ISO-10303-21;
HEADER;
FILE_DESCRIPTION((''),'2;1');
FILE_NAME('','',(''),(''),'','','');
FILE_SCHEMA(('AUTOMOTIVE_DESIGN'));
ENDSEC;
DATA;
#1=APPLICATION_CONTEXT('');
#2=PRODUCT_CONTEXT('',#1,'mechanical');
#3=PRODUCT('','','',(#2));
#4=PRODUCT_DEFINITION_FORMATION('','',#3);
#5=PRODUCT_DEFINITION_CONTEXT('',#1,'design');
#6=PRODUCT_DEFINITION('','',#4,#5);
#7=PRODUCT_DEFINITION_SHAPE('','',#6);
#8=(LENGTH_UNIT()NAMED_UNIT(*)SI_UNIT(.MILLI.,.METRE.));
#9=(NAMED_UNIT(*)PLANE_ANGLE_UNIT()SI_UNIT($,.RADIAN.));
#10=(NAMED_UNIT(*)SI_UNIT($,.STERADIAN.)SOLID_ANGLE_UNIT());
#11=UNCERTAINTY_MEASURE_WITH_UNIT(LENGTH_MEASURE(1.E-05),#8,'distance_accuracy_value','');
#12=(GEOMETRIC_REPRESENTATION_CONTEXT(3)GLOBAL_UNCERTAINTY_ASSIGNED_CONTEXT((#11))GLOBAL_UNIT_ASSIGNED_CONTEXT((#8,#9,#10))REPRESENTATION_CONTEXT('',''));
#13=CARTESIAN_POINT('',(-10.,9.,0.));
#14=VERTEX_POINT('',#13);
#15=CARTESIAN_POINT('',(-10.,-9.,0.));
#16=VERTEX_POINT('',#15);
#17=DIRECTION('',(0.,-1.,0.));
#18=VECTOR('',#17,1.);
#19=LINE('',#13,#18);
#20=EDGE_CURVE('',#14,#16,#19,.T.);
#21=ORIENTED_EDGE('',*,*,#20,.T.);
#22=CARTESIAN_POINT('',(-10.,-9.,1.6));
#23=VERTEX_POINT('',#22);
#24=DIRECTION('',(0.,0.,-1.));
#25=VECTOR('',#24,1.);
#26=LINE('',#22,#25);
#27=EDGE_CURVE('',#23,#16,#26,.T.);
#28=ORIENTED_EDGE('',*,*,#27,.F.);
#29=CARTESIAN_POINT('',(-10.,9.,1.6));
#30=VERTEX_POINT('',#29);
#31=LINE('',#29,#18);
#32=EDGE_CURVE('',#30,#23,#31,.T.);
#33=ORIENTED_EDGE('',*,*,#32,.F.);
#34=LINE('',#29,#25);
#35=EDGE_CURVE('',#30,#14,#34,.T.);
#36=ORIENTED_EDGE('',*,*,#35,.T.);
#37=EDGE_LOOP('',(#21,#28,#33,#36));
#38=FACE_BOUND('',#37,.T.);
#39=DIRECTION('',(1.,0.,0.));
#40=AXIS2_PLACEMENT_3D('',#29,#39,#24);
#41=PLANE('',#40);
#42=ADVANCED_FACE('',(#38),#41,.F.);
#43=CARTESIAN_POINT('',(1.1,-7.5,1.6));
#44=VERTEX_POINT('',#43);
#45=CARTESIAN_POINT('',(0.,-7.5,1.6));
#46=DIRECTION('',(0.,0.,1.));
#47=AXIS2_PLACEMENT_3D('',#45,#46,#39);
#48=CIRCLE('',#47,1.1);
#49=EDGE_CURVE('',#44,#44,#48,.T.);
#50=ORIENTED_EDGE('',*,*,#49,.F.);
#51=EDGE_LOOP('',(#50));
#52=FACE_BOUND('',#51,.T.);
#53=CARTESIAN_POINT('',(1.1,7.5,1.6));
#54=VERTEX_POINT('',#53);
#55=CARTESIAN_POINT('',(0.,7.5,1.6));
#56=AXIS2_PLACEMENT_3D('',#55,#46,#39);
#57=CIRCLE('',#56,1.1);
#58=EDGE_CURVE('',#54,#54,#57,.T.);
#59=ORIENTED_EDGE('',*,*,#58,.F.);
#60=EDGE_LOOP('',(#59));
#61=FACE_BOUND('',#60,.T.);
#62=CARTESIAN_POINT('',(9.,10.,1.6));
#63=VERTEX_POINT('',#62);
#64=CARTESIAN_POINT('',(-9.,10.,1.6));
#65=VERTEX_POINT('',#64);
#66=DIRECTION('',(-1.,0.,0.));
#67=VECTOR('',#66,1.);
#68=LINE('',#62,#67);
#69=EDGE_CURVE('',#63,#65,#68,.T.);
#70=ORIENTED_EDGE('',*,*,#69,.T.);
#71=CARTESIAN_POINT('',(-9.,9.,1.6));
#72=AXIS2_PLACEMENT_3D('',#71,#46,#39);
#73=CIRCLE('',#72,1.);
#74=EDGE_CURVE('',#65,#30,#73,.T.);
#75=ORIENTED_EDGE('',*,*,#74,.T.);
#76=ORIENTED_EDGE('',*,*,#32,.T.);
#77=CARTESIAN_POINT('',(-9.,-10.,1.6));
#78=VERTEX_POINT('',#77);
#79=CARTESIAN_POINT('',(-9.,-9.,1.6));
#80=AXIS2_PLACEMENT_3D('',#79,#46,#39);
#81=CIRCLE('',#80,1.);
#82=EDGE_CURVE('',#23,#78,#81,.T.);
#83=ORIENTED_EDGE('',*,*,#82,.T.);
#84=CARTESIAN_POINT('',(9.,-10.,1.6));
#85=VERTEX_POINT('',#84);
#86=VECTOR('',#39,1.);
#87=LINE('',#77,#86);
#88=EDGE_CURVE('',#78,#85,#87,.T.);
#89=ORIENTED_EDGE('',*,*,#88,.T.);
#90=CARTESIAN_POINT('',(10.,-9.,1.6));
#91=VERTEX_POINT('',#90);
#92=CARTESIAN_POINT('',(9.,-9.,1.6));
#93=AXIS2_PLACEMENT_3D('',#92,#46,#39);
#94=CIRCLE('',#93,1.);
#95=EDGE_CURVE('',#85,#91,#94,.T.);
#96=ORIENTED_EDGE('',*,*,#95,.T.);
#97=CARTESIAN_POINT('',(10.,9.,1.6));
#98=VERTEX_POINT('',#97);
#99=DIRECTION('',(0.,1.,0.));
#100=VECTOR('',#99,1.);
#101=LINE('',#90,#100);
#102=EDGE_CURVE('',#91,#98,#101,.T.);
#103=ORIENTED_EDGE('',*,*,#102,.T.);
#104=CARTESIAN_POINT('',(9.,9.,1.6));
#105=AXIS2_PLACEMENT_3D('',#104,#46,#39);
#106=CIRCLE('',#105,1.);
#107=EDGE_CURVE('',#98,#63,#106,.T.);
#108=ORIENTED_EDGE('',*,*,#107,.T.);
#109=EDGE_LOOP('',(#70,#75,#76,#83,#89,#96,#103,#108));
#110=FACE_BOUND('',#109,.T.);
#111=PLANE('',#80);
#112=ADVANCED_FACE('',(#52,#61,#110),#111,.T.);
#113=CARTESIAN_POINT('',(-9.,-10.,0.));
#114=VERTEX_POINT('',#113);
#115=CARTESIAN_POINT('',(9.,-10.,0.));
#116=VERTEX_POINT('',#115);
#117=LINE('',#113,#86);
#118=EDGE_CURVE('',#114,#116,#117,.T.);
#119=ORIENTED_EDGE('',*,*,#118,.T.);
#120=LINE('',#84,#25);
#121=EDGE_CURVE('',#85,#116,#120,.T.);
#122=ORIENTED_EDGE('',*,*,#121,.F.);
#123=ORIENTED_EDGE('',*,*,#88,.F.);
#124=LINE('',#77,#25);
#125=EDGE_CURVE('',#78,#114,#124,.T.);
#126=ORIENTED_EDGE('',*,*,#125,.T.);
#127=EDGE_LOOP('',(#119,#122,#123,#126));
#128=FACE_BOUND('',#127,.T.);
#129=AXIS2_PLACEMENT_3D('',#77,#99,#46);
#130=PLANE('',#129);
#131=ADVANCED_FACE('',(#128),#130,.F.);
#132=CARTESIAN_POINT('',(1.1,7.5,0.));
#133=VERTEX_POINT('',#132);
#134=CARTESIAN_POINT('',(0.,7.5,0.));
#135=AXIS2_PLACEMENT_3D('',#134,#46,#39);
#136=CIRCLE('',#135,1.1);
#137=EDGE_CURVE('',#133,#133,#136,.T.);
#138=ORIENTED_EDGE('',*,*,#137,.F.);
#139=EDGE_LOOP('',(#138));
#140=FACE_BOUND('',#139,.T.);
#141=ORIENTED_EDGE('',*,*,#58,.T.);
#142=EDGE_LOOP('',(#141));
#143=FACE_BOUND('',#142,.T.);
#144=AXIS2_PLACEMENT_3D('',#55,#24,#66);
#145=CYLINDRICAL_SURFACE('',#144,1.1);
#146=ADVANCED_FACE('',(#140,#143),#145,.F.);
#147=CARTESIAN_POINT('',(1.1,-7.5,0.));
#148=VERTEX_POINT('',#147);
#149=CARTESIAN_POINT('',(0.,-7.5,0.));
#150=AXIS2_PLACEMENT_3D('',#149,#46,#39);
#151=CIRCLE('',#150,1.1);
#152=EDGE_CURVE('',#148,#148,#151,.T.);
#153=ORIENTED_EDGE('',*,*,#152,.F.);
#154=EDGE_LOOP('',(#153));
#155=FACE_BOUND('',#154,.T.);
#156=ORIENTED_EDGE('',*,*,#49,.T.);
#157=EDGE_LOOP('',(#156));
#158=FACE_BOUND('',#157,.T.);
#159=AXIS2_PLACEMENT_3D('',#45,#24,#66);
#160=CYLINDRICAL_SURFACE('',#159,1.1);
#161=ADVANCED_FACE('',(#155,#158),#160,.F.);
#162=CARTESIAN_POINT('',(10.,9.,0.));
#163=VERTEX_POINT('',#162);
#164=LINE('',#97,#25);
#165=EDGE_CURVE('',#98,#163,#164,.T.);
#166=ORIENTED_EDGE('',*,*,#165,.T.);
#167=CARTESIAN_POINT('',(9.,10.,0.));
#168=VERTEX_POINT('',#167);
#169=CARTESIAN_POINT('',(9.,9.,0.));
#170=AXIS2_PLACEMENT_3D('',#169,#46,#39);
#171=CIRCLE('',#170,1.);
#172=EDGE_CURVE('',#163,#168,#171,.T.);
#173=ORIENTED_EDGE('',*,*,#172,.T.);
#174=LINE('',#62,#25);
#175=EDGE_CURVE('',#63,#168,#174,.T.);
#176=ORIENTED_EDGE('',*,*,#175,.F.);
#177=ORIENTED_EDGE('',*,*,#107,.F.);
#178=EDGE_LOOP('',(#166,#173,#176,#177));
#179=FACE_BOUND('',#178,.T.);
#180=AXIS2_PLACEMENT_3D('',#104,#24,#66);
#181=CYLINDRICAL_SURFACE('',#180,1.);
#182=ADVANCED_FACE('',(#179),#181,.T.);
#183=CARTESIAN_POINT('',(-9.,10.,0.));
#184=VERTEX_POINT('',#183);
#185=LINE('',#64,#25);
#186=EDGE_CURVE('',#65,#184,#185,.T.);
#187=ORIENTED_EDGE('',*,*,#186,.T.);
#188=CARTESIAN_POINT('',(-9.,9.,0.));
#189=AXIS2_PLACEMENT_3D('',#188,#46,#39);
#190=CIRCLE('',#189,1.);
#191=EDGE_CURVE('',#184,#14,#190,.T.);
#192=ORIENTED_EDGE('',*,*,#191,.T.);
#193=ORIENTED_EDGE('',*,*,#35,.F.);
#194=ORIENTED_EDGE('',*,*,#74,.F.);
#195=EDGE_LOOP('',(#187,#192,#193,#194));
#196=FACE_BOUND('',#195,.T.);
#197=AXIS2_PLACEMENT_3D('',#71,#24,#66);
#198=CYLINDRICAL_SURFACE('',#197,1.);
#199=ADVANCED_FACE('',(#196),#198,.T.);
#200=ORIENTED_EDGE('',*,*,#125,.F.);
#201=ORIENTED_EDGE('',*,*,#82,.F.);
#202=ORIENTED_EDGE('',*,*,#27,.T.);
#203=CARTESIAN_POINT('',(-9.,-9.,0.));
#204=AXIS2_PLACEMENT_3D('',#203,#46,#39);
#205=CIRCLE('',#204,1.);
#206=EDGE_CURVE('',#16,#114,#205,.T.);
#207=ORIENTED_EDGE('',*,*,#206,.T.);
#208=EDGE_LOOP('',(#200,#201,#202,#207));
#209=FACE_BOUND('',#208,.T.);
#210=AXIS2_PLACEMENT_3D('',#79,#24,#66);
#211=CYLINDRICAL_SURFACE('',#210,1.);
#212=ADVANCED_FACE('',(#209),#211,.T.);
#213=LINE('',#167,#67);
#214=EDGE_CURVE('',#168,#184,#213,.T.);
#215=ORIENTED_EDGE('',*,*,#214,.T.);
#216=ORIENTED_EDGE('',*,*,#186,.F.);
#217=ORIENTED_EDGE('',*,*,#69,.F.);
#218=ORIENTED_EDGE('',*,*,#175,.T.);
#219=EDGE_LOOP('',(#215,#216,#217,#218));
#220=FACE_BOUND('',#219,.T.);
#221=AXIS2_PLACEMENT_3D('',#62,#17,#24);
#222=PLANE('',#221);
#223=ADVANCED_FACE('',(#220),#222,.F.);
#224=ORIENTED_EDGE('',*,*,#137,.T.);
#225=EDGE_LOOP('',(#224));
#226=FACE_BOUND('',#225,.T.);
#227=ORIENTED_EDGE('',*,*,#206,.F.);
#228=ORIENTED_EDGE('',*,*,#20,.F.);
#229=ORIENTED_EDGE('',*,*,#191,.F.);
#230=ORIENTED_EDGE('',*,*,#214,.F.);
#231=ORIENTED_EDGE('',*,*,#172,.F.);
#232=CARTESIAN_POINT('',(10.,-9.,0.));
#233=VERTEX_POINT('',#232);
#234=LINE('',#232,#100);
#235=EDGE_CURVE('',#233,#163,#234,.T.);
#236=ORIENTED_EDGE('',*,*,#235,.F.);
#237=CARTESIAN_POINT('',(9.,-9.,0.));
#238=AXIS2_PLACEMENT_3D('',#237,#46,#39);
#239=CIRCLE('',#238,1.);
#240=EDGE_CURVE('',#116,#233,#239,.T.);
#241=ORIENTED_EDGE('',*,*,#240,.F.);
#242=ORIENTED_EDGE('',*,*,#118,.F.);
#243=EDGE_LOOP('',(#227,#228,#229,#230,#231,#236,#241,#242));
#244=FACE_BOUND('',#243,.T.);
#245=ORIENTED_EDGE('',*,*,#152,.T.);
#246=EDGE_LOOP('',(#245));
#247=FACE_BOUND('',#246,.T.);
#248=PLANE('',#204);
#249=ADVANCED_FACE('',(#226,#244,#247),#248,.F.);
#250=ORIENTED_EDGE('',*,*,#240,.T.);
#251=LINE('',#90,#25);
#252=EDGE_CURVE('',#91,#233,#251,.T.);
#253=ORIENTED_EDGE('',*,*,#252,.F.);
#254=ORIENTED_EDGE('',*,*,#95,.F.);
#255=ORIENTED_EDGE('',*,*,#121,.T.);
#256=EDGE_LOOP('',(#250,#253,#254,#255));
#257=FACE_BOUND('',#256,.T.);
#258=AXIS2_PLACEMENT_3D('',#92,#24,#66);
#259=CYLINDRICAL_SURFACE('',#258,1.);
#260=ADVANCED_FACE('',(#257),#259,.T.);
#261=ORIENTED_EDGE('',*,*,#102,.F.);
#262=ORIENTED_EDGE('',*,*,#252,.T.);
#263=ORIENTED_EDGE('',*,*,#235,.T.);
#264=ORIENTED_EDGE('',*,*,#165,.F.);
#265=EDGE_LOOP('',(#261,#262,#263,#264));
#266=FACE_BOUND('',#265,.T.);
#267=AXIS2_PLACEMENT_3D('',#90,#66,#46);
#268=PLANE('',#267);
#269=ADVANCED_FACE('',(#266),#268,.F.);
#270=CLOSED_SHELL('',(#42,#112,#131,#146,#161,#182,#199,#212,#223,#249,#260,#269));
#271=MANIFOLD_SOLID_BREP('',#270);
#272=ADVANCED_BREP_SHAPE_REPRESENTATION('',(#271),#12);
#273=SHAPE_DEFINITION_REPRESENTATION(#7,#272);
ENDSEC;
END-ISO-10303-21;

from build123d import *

# Parameters (mm, degrees)
SKETCH_1_R                             = 1.1
PCB20X20_T1P6_2NPTH_D2P2_PITCH15_DEPTH = 1.6


with BuildPart() as part:
    # 草图1 → PCB20x20_T1p6_2NPTH_D2p2_pitch15 (new body)
    with BuildSketch(Plane.XY):
        with BuildLine():
            Line((-9, -10), (9, -10))
            ThreePointArc((9, -10), (9.707106781, -9.707106781), (10, -9))
            Line((10, -9), (10, 9))
            ThreePointArc((10, 9), (9.707106781, 9.707106781), (9, 10))
            Line((9, 10), (-9, 10))
            ThreePointArc((-9, 10), (-9.707106781, 9.707106781), (-10, 9))
            Line((-10, 9), (-10, -9))
            ThreePointArc((-10, -9), (-9.707106781, -9.707106781), (-9, -10))
        make_face()
        with Locations((0, -7.5)):
            Circle(SKETCH_1_R, mode=Mode.SUBTRACT)
        with Locations((0, 7.5)):
            Circle(SKETCH_1_R, mode=Mode.SUBTRACT)
    extrude(amount=PCB20X20_T1P6_2NPTH_D2P2_PITCH15_DEPTH)


solid = part.part
